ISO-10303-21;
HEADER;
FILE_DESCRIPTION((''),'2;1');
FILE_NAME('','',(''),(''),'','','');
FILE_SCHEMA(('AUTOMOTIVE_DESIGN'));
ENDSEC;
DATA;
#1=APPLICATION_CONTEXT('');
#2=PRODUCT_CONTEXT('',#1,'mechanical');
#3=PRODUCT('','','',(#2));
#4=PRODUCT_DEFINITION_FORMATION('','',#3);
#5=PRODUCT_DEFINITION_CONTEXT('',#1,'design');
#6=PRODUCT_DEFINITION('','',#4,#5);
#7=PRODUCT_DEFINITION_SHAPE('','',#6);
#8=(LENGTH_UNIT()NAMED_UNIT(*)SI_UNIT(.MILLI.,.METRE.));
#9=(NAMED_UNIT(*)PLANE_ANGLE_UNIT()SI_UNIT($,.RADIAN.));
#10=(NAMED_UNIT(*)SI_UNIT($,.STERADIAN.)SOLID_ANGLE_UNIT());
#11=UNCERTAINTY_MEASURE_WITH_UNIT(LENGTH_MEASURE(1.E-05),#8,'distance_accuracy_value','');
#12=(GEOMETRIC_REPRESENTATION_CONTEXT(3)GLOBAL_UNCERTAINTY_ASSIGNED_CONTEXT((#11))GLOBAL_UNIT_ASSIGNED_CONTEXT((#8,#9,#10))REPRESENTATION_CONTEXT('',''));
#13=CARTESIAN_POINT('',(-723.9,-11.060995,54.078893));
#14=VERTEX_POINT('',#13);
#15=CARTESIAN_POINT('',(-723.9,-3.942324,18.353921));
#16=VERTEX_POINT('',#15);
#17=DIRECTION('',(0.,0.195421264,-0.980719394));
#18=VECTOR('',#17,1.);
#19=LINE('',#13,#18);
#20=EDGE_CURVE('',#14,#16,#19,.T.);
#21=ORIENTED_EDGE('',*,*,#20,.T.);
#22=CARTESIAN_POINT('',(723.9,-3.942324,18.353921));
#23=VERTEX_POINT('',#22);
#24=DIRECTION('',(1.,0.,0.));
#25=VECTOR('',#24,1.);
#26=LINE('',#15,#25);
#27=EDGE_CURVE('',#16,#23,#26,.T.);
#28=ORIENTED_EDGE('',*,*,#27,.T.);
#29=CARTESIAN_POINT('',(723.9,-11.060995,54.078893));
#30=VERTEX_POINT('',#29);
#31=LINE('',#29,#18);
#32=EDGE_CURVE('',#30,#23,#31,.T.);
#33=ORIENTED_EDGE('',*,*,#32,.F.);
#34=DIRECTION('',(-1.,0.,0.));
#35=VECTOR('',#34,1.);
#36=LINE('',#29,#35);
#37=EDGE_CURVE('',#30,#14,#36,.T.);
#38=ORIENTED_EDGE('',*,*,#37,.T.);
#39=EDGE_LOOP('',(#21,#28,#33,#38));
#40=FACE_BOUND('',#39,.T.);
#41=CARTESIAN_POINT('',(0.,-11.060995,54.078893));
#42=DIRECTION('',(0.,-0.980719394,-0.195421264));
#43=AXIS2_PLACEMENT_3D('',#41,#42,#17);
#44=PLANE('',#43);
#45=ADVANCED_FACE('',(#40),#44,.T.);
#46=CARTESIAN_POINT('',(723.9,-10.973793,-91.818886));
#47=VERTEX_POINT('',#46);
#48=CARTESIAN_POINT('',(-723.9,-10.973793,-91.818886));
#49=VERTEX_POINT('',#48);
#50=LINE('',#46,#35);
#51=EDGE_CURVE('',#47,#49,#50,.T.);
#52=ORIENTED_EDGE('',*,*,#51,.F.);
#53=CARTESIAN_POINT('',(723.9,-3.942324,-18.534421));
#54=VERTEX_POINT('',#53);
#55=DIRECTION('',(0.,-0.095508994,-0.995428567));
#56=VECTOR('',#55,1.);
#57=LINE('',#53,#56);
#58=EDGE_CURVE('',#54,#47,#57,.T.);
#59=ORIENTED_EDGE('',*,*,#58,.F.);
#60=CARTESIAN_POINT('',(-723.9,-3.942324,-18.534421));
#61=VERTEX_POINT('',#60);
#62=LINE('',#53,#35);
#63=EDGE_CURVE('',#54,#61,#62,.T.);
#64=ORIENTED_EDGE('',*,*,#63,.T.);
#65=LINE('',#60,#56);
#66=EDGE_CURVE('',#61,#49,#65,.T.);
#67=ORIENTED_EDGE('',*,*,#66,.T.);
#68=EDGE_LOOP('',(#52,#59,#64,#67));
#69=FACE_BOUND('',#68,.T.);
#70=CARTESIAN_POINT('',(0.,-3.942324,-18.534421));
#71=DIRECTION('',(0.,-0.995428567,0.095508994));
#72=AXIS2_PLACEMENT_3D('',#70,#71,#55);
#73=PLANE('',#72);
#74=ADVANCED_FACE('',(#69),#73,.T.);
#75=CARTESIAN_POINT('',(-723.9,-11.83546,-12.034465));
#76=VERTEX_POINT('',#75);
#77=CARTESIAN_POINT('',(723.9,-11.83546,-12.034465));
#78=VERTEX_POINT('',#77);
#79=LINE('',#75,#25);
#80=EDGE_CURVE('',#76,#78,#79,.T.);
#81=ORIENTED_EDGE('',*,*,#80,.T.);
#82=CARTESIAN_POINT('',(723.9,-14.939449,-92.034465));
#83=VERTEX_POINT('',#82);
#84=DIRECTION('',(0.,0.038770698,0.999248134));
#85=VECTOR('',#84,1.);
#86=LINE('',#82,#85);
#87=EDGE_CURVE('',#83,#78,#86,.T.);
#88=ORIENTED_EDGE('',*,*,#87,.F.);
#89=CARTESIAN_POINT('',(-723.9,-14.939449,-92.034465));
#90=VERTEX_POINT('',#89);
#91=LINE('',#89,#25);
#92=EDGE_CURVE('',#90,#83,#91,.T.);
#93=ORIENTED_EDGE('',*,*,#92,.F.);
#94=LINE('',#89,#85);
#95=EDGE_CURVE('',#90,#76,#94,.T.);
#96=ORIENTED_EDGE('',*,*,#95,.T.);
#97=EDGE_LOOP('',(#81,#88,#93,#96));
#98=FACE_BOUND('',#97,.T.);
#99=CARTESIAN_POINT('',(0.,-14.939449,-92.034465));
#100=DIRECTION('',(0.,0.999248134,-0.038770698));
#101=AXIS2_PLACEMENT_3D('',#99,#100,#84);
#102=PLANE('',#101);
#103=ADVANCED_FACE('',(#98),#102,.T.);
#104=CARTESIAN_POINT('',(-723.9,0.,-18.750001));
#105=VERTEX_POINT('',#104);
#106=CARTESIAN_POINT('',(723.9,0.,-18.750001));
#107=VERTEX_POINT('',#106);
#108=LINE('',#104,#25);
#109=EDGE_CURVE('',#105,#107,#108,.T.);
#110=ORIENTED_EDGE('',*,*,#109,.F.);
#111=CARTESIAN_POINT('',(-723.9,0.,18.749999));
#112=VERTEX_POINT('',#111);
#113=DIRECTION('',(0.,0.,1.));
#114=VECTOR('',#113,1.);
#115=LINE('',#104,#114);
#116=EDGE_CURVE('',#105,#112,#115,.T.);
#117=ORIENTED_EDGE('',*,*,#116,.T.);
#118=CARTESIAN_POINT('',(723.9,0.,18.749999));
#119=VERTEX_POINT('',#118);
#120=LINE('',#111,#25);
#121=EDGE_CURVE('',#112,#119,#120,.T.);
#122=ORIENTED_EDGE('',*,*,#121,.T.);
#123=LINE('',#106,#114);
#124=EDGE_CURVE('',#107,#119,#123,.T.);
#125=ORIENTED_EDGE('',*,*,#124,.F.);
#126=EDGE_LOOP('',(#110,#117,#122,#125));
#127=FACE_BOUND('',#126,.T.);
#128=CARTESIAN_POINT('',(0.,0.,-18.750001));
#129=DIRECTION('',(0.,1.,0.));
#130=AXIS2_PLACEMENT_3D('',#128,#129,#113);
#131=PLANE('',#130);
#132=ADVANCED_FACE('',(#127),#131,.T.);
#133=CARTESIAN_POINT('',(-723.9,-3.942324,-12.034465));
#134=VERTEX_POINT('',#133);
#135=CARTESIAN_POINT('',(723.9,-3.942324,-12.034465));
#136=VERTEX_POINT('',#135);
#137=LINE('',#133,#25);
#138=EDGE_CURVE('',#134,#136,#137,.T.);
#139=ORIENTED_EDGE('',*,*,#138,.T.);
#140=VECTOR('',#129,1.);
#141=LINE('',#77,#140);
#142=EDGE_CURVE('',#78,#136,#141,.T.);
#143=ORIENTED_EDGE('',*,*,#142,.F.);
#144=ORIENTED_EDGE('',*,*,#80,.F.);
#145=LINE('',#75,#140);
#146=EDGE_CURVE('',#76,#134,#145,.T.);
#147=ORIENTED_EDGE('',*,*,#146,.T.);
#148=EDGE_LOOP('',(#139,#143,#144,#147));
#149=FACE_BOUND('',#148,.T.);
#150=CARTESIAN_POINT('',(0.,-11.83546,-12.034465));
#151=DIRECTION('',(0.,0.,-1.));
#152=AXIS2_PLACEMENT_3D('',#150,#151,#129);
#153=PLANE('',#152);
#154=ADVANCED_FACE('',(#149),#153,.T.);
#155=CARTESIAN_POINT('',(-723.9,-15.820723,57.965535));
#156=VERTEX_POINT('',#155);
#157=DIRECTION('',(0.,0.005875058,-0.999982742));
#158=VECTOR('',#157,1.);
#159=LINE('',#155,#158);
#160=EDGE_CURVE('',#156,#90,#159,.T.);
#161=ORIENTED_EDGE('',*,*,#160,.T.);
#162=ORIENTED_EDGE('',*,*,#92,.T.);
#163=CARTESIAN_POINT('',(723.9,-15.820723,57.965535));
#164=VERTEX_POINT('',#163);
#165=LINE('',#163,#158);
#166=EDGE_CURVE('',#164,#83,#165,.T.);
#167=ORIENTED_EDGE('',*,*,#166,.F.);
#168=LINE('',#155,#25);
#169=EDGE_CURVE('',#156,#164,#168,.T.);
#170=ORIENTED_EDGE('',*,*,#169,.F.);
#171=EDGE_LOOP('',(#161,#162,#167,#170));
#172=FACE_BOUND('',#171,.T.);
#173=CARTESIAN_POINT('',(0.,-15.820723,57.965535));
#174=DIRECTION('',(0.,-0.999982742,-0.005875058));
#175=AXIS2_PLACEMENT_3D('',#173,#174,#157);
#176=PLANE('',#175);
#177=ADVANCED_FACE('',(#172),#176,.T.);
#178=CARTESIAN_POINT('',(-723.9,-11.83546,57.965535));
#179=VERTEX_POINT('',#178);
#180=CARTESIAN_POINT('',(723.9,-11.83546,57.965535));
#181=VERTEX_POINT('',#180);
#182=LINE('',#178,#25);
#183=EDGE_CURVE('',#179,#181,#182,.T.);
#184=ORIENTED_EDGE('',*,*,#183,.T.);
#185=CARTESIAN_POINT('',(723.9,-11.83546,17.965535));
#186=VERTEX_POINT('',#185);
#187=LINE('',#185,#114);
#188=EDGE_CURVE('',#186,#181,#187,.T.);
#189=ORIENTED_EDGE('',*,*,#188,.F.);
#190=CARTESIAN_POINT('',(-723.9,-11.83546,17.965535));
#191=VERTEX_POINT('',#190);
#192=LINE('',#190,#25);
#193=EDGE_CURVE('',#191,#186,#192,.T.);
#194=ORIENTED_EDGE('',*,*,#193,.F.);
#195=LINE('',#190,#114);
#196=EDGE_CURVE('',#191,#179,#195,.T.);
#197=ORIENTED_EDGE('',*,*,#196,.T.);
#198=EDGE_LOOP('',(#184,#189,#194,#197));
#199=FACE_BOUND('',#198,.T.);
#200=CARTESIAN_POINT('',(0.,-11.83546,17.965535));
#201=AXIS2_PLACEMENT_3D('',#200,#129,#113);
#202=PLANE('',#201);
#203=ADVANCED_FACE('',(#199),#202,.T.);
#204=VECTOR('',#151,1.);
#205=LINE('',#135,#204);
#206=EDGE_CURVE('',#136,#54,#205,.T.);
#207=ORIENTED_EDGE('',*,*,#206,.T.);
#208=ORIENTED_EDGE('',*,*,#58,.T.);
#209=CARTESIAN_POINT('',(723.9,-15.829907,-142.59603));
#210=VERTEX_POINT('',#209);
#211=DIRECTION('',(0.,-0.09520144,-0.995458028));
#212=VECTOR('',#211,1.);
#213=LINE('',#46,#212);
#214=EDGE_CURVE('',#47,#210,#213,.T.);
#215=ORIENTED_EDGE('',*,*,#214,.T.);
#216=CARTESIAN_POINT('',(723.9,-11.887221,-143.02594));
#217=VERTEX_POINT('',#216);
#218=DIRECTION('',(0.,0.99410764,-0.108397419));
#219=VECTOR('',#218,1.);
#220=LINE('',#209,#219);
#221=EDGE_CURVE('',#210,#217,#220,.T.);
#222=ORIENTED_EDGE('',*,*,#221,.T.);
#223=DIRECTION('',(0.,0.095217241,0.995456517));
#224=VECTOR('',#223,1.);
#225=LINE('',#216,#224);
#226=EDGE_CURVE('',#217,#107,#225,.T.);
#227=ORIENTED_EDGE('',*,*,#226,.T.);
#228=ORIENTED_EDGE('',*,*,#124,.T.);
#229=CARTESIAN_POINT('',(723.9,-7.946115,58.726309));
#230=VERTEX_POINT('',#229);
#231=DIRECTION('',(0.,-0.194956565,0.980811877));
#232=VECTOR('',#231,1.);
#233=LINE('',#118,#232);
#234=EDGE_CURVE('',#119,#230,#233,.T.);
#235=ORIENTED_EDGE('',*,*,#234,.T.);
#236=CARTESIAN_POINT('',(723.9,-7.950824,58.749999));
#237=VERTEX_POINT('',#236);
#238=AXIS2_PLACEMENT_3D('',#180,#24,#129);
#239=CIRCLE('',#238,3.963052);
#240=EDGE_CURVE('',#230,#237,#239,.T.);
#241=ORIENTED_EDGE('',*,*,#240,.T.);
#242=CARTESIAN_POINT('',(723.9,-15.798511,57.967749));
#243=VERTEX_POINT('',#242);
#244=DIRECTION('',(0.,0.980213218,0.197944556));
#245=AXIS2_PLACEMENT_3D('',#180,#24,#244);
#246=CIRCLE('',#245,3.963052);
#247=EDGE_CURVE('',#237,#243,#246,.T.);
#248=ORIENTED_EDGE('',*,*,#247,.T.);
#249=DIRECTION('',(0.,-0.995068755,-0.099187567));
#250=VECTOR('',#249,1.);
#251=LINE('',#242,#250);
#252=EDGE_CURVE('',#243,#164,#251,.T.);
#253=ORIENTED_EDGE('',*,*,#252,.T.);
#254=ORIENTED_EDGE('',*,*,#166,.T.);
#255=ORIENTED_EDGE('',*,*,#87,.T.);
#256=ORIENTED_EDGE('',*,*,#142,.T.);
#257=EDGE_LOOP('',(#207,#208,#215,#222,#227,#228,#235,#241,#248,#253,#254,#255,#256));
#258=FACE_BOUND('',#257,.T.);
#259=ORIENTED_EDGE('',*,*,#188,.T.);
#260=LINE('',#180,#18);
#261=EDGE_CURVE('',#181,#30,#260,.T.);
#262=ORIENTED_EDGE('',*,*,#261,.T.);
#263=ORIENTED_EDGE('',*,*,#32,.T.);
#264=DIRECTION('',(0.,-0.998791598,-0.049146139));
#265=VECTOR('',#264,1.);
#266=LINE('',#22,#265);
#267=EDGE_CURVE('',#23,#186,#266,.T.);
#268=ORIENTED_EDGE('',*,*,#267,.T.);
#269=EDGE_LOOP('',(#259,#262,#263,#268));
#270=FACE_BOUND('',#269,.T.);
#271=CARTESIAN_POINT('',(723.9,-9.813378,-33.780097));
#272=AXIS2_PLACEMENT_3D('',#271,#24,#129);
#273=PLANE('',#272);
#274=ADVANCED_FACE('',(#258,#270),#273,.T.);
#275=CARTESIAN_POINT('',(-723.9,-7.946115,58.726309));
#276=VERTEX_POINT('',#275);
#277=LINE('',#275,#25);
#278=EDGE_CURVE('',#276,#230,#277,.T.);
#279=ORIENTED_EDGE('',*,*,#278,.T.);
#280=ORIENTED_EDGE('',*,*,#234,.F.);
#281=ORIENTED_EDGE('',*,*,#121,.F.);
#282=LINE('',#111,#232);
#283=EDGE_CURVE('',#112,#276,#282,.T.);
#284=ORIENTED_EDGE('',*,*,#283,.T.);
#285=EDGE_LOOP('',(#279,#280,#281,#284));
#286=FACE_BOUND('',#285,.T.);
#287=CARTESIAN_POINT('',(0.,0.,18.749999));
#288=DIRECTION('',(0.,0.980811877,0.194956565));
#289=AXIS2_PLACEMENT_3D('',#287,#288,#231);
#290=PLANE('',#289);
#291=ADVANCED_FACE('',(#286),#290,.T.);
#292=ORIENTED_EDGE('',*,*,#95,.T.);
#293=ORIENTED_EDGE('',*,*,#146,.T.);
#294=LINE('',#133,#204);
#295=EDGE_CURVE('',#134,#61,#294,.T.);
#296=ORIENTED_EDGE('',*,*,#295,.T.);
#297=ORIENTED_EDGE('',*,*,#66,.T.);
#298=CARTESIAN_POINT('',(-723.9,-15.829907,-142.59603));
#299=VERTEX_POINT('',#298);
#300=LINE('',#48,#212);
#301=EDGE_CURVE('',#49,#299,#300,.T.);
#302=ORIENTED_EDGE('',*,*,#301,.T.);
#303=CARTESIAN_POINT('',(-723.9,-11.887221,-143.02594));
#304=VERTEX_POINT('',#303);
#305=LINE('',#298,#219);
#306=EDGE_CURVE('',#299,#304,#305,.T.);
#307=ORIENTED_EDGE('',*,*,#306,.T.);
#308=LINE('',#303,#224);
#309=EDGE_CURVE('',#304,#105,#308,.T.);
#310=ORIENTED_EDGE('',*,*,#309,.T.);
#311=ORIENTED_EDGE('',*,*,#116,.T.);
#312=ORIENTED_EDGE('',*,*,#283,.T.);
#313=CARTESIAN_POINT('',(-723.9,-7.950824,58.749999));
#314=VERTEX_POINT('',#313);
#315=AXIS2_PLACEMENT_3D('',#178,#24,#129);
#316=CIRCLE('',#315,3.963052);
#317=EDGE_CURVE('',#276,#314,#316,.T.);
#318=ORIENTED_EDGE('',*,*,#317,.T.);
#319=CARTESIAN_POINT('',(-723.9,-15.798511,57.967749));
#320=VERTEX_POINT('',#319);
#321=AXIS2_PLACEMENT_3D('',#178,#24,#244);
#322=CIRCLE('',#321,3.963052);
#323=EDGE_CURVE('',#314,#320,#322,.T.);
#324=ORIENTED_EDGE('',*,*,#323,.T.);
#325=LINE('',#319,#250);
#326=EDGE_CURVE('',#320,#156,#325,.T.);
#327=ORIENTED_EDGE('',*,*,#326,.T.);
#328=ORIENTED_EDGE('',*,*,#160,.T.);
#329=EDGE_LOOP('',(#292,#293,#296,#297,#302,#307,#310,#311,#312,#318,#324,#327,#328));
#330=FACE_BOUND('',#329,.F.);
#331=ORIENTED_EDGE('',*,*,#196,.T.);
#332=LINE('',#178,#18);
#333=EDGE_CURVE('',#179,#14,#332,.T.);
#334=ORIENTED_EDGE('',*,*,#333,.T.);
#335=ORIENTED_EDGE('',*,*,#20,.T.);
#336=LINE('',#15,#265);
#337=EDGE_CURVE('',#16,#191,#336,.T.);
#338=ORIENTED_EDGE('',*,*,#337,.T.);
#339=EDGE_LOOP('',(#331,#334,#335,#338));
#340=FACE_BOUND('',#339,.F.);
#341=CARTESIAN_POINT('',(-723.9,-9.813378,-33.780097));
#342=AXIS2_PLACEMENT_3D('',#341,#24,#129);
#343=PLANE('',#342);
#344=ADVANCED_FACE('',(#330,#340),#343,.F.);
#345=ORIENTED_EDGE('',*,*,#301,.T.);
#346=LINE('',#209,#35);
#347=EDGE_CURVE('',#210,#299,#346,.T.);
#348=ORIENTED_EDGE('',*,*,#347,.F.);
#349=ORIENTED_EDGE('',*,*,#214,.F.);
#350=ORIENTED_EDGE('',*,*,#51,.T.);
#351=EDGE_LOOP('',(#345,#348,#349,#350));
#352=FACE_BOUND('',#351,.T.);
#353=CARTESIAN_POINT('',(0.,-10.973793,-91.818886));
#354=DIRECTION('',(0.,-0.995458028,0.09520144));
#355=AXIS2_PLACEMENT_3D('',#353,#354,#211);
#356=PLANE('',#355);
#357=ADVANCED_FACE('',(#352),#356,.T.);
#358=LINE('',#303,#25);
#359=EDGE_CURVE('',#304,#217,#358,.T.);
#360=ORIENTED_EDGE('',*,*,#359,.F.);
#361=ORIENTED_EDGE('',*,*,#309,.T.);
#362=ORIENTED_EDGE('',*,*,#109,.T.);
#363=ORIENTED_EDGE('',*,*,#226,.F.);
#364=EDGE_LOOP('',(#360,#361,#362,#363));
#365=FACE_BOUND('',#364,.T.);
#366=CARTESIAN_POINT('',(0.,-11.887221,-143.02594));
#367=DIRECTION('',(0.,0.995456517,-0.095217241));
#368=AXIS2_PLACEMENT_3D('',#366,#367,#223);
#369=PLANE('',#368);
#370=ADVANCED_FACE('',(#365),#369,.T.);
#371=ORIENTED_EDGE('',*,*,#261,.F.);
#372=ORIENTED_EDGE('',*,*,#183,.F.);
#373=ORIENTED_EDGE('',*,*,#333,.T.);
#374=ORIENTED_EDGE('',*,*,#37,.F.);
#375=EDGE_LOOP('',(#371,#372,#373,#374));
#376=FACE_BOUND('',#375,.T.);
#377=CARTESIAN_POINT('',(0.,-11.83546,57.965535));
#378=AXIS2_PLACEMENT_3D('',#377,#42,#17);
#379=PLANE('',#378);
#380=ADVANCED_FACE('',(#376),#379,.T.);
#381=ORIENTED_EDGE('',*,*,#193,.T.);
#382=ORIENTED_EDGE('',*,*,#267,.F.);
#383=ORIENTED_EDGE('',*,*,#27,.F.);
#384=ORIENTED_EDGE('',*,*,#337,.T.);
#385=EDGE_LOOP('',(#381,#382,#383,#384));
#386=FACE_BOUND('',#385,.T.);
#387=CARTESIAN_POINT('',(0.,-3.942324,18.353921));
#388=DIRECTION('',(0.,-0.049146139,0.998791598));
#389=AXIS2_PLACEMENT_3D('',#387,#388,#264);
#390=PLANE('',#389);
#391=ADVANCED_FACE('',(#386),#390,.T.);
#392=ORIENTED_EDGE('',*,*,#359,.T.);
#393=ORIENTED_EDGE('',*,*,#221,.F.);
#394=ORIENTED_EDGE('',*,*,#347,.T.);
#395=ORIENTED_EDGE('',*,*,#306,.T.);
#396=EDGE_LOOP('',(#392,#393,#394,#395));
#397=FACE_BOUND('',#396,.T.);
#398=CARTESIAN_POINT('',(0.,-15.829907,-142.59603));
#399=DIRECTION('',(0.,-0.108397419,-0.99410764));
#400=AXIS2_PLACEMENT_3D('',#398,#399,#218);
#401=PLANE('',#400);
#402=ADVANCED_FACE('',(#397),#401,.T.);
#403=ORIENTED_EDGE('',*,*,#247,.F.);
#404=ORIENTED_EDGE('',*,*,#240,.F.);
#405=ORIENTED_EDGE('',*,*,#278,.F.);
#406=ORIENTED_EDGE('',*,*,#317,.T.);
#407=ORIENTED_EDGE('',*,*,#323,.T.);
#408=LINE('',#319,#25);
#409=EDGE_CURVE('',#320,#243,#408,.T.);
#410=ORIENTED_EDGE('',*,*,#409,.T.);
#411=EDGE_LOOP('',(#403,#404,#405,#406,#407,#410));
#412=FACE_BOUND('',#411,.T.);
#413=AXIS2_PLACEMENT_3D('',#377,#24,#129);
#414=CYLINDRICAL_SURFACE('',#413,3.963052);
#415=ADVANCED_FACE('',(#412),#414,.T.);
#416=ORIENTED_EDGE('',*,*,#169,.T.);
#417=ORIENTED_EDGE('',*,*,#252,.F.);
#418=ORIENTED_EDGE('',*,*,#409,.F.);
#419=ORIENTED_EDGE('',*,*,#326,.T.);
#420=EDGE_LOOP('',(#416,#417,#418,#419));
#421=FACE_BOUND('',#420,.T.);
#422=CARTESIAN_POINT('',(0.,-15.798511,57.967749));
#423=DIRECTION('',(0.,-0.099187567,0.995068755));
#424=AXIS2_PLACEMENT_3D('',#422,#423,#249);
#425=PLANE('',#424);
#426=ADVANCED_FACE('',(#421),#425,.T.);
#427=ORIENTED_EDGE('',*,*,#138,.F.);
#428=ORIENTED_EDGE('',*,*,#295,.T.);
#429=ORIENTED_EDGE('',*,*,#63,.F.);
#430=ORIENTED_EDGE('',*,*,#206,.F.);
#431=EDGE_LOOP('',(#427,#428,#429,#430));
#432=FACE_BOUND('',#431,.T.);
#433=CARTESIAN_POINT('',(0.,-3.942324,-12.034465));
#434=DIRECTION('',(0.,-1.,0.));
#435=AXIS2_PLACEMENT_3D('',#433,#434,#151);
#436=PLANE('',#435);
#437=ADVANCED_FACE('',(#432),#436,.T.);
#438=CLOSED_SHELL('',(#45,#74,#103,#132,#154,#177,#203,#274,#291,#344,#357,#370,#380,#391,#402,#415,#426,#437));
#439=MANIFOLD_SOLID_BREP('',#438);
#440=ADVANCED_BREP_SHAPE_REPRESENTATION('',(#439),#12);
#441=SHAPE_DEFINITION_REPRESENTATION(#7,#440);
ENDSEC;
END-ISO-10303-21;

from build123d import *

# Parameters (mm, degrees)
F1_DEPTH = 723.9


with BuildPart() as f1:
    # F0 (on Right) → F1 (new body, symmetric)
    with BuildSketch(Plane.YZ):
        with BuildLine():
            Line((-15.8299067503, -142.596029821), (-11.8872214526, -143.0259399152))
            Line((-11.8872214526, -143.0259399152), (0, -18.7500006))
            Line((0, -18.7500006), (0, 18.7499994))
            Line((0, 18.7499994), (-7.9508239998, 58.7499994))
            ThreePointArc((-7.9508239998, 58.7499994), (-7.8920606963, 58.3597218998), (-7.8724079566, 57.9655348594))
            ThreePointArc((-7.8724079566, 57.9655348594), (-8.7715551646, 55.4519182766), (-11.0609952128, 54.0788930426))
            Line((-11.0609952128, 54.0788930426), (-3.9423238, 18.3539213456))
            Line((-3.9423238, 18.3539213456), (-11.835459815, 17.9655348594))
            Line((-11.835459815, 17.9655348594), (-11.835459815, 54.0024830011))
            ThreePointArc((-11.835459815, 54.0024830011), (-14.6385433533, 55.16401693), (-15.7985110549, 57.9677489647))
            Line((-15.7985110549, 57.9677489647), (-15.8207233853, 57.9655348594))
            Line((-15.8207233853, 57.9655348594), (-14.9394494697, -92.0344651406))
            Line((-14.9394494697, -92.0344651406), (-11.835459815, -12.0344651406))
            Line((-11.835459815, -12.0344651406), (-3.9423238, -12.0344651406))
            Line((-3.9423238, -12.0344651406), (-3.9423238, -18.5344211826))
            Line((-3.9423238, -18.5344211826), (-10.9737931654, -91.8188857231))
            Line((-10.9737931654, -91.8188857231), (-15.8299067503, -142.596029821))
        make_face()
        with BuildLine():
            ThreePointArc((-7.8724079566, 57.9655348594), (-7.8920606963, 58.3597218998), (-7.9508239998, 58.7499994))
            Line((-7.9508239998, 58.7499994), (-15.7985110549, 57.9677489647))
            ThreePointArc((-15.7985110549, 57.9677489647), (-14.6385433533, 55.16401693), (-11.835459815, 54.0024830011))
            Line((-11.835459815, 54.0024830011), (-11.835459815, 57.9655348594))
            Line((-11.835459815, 57.9655348594), (-11.0609952128, 54.0788930426))
            ThreePointArc((-11.0609952128, 54.0788930426), (-8.7715551646, 55.4519182766), (-7.8724079566, 57.9655348594))
        make_face()
        with BuildLine():
            Line((-15.7985110549, 57.9677489647), (-7.9508239998, 58.7499994))
            ThreePointArc((-7.9508239998, 58.7499994), (-12.2285452772, 61.9090439379), (-15.7985110549, 57.9677489647))
        make_face()
    extrude(amount=F1_DEPTH, both=True)


solid = f1.part
